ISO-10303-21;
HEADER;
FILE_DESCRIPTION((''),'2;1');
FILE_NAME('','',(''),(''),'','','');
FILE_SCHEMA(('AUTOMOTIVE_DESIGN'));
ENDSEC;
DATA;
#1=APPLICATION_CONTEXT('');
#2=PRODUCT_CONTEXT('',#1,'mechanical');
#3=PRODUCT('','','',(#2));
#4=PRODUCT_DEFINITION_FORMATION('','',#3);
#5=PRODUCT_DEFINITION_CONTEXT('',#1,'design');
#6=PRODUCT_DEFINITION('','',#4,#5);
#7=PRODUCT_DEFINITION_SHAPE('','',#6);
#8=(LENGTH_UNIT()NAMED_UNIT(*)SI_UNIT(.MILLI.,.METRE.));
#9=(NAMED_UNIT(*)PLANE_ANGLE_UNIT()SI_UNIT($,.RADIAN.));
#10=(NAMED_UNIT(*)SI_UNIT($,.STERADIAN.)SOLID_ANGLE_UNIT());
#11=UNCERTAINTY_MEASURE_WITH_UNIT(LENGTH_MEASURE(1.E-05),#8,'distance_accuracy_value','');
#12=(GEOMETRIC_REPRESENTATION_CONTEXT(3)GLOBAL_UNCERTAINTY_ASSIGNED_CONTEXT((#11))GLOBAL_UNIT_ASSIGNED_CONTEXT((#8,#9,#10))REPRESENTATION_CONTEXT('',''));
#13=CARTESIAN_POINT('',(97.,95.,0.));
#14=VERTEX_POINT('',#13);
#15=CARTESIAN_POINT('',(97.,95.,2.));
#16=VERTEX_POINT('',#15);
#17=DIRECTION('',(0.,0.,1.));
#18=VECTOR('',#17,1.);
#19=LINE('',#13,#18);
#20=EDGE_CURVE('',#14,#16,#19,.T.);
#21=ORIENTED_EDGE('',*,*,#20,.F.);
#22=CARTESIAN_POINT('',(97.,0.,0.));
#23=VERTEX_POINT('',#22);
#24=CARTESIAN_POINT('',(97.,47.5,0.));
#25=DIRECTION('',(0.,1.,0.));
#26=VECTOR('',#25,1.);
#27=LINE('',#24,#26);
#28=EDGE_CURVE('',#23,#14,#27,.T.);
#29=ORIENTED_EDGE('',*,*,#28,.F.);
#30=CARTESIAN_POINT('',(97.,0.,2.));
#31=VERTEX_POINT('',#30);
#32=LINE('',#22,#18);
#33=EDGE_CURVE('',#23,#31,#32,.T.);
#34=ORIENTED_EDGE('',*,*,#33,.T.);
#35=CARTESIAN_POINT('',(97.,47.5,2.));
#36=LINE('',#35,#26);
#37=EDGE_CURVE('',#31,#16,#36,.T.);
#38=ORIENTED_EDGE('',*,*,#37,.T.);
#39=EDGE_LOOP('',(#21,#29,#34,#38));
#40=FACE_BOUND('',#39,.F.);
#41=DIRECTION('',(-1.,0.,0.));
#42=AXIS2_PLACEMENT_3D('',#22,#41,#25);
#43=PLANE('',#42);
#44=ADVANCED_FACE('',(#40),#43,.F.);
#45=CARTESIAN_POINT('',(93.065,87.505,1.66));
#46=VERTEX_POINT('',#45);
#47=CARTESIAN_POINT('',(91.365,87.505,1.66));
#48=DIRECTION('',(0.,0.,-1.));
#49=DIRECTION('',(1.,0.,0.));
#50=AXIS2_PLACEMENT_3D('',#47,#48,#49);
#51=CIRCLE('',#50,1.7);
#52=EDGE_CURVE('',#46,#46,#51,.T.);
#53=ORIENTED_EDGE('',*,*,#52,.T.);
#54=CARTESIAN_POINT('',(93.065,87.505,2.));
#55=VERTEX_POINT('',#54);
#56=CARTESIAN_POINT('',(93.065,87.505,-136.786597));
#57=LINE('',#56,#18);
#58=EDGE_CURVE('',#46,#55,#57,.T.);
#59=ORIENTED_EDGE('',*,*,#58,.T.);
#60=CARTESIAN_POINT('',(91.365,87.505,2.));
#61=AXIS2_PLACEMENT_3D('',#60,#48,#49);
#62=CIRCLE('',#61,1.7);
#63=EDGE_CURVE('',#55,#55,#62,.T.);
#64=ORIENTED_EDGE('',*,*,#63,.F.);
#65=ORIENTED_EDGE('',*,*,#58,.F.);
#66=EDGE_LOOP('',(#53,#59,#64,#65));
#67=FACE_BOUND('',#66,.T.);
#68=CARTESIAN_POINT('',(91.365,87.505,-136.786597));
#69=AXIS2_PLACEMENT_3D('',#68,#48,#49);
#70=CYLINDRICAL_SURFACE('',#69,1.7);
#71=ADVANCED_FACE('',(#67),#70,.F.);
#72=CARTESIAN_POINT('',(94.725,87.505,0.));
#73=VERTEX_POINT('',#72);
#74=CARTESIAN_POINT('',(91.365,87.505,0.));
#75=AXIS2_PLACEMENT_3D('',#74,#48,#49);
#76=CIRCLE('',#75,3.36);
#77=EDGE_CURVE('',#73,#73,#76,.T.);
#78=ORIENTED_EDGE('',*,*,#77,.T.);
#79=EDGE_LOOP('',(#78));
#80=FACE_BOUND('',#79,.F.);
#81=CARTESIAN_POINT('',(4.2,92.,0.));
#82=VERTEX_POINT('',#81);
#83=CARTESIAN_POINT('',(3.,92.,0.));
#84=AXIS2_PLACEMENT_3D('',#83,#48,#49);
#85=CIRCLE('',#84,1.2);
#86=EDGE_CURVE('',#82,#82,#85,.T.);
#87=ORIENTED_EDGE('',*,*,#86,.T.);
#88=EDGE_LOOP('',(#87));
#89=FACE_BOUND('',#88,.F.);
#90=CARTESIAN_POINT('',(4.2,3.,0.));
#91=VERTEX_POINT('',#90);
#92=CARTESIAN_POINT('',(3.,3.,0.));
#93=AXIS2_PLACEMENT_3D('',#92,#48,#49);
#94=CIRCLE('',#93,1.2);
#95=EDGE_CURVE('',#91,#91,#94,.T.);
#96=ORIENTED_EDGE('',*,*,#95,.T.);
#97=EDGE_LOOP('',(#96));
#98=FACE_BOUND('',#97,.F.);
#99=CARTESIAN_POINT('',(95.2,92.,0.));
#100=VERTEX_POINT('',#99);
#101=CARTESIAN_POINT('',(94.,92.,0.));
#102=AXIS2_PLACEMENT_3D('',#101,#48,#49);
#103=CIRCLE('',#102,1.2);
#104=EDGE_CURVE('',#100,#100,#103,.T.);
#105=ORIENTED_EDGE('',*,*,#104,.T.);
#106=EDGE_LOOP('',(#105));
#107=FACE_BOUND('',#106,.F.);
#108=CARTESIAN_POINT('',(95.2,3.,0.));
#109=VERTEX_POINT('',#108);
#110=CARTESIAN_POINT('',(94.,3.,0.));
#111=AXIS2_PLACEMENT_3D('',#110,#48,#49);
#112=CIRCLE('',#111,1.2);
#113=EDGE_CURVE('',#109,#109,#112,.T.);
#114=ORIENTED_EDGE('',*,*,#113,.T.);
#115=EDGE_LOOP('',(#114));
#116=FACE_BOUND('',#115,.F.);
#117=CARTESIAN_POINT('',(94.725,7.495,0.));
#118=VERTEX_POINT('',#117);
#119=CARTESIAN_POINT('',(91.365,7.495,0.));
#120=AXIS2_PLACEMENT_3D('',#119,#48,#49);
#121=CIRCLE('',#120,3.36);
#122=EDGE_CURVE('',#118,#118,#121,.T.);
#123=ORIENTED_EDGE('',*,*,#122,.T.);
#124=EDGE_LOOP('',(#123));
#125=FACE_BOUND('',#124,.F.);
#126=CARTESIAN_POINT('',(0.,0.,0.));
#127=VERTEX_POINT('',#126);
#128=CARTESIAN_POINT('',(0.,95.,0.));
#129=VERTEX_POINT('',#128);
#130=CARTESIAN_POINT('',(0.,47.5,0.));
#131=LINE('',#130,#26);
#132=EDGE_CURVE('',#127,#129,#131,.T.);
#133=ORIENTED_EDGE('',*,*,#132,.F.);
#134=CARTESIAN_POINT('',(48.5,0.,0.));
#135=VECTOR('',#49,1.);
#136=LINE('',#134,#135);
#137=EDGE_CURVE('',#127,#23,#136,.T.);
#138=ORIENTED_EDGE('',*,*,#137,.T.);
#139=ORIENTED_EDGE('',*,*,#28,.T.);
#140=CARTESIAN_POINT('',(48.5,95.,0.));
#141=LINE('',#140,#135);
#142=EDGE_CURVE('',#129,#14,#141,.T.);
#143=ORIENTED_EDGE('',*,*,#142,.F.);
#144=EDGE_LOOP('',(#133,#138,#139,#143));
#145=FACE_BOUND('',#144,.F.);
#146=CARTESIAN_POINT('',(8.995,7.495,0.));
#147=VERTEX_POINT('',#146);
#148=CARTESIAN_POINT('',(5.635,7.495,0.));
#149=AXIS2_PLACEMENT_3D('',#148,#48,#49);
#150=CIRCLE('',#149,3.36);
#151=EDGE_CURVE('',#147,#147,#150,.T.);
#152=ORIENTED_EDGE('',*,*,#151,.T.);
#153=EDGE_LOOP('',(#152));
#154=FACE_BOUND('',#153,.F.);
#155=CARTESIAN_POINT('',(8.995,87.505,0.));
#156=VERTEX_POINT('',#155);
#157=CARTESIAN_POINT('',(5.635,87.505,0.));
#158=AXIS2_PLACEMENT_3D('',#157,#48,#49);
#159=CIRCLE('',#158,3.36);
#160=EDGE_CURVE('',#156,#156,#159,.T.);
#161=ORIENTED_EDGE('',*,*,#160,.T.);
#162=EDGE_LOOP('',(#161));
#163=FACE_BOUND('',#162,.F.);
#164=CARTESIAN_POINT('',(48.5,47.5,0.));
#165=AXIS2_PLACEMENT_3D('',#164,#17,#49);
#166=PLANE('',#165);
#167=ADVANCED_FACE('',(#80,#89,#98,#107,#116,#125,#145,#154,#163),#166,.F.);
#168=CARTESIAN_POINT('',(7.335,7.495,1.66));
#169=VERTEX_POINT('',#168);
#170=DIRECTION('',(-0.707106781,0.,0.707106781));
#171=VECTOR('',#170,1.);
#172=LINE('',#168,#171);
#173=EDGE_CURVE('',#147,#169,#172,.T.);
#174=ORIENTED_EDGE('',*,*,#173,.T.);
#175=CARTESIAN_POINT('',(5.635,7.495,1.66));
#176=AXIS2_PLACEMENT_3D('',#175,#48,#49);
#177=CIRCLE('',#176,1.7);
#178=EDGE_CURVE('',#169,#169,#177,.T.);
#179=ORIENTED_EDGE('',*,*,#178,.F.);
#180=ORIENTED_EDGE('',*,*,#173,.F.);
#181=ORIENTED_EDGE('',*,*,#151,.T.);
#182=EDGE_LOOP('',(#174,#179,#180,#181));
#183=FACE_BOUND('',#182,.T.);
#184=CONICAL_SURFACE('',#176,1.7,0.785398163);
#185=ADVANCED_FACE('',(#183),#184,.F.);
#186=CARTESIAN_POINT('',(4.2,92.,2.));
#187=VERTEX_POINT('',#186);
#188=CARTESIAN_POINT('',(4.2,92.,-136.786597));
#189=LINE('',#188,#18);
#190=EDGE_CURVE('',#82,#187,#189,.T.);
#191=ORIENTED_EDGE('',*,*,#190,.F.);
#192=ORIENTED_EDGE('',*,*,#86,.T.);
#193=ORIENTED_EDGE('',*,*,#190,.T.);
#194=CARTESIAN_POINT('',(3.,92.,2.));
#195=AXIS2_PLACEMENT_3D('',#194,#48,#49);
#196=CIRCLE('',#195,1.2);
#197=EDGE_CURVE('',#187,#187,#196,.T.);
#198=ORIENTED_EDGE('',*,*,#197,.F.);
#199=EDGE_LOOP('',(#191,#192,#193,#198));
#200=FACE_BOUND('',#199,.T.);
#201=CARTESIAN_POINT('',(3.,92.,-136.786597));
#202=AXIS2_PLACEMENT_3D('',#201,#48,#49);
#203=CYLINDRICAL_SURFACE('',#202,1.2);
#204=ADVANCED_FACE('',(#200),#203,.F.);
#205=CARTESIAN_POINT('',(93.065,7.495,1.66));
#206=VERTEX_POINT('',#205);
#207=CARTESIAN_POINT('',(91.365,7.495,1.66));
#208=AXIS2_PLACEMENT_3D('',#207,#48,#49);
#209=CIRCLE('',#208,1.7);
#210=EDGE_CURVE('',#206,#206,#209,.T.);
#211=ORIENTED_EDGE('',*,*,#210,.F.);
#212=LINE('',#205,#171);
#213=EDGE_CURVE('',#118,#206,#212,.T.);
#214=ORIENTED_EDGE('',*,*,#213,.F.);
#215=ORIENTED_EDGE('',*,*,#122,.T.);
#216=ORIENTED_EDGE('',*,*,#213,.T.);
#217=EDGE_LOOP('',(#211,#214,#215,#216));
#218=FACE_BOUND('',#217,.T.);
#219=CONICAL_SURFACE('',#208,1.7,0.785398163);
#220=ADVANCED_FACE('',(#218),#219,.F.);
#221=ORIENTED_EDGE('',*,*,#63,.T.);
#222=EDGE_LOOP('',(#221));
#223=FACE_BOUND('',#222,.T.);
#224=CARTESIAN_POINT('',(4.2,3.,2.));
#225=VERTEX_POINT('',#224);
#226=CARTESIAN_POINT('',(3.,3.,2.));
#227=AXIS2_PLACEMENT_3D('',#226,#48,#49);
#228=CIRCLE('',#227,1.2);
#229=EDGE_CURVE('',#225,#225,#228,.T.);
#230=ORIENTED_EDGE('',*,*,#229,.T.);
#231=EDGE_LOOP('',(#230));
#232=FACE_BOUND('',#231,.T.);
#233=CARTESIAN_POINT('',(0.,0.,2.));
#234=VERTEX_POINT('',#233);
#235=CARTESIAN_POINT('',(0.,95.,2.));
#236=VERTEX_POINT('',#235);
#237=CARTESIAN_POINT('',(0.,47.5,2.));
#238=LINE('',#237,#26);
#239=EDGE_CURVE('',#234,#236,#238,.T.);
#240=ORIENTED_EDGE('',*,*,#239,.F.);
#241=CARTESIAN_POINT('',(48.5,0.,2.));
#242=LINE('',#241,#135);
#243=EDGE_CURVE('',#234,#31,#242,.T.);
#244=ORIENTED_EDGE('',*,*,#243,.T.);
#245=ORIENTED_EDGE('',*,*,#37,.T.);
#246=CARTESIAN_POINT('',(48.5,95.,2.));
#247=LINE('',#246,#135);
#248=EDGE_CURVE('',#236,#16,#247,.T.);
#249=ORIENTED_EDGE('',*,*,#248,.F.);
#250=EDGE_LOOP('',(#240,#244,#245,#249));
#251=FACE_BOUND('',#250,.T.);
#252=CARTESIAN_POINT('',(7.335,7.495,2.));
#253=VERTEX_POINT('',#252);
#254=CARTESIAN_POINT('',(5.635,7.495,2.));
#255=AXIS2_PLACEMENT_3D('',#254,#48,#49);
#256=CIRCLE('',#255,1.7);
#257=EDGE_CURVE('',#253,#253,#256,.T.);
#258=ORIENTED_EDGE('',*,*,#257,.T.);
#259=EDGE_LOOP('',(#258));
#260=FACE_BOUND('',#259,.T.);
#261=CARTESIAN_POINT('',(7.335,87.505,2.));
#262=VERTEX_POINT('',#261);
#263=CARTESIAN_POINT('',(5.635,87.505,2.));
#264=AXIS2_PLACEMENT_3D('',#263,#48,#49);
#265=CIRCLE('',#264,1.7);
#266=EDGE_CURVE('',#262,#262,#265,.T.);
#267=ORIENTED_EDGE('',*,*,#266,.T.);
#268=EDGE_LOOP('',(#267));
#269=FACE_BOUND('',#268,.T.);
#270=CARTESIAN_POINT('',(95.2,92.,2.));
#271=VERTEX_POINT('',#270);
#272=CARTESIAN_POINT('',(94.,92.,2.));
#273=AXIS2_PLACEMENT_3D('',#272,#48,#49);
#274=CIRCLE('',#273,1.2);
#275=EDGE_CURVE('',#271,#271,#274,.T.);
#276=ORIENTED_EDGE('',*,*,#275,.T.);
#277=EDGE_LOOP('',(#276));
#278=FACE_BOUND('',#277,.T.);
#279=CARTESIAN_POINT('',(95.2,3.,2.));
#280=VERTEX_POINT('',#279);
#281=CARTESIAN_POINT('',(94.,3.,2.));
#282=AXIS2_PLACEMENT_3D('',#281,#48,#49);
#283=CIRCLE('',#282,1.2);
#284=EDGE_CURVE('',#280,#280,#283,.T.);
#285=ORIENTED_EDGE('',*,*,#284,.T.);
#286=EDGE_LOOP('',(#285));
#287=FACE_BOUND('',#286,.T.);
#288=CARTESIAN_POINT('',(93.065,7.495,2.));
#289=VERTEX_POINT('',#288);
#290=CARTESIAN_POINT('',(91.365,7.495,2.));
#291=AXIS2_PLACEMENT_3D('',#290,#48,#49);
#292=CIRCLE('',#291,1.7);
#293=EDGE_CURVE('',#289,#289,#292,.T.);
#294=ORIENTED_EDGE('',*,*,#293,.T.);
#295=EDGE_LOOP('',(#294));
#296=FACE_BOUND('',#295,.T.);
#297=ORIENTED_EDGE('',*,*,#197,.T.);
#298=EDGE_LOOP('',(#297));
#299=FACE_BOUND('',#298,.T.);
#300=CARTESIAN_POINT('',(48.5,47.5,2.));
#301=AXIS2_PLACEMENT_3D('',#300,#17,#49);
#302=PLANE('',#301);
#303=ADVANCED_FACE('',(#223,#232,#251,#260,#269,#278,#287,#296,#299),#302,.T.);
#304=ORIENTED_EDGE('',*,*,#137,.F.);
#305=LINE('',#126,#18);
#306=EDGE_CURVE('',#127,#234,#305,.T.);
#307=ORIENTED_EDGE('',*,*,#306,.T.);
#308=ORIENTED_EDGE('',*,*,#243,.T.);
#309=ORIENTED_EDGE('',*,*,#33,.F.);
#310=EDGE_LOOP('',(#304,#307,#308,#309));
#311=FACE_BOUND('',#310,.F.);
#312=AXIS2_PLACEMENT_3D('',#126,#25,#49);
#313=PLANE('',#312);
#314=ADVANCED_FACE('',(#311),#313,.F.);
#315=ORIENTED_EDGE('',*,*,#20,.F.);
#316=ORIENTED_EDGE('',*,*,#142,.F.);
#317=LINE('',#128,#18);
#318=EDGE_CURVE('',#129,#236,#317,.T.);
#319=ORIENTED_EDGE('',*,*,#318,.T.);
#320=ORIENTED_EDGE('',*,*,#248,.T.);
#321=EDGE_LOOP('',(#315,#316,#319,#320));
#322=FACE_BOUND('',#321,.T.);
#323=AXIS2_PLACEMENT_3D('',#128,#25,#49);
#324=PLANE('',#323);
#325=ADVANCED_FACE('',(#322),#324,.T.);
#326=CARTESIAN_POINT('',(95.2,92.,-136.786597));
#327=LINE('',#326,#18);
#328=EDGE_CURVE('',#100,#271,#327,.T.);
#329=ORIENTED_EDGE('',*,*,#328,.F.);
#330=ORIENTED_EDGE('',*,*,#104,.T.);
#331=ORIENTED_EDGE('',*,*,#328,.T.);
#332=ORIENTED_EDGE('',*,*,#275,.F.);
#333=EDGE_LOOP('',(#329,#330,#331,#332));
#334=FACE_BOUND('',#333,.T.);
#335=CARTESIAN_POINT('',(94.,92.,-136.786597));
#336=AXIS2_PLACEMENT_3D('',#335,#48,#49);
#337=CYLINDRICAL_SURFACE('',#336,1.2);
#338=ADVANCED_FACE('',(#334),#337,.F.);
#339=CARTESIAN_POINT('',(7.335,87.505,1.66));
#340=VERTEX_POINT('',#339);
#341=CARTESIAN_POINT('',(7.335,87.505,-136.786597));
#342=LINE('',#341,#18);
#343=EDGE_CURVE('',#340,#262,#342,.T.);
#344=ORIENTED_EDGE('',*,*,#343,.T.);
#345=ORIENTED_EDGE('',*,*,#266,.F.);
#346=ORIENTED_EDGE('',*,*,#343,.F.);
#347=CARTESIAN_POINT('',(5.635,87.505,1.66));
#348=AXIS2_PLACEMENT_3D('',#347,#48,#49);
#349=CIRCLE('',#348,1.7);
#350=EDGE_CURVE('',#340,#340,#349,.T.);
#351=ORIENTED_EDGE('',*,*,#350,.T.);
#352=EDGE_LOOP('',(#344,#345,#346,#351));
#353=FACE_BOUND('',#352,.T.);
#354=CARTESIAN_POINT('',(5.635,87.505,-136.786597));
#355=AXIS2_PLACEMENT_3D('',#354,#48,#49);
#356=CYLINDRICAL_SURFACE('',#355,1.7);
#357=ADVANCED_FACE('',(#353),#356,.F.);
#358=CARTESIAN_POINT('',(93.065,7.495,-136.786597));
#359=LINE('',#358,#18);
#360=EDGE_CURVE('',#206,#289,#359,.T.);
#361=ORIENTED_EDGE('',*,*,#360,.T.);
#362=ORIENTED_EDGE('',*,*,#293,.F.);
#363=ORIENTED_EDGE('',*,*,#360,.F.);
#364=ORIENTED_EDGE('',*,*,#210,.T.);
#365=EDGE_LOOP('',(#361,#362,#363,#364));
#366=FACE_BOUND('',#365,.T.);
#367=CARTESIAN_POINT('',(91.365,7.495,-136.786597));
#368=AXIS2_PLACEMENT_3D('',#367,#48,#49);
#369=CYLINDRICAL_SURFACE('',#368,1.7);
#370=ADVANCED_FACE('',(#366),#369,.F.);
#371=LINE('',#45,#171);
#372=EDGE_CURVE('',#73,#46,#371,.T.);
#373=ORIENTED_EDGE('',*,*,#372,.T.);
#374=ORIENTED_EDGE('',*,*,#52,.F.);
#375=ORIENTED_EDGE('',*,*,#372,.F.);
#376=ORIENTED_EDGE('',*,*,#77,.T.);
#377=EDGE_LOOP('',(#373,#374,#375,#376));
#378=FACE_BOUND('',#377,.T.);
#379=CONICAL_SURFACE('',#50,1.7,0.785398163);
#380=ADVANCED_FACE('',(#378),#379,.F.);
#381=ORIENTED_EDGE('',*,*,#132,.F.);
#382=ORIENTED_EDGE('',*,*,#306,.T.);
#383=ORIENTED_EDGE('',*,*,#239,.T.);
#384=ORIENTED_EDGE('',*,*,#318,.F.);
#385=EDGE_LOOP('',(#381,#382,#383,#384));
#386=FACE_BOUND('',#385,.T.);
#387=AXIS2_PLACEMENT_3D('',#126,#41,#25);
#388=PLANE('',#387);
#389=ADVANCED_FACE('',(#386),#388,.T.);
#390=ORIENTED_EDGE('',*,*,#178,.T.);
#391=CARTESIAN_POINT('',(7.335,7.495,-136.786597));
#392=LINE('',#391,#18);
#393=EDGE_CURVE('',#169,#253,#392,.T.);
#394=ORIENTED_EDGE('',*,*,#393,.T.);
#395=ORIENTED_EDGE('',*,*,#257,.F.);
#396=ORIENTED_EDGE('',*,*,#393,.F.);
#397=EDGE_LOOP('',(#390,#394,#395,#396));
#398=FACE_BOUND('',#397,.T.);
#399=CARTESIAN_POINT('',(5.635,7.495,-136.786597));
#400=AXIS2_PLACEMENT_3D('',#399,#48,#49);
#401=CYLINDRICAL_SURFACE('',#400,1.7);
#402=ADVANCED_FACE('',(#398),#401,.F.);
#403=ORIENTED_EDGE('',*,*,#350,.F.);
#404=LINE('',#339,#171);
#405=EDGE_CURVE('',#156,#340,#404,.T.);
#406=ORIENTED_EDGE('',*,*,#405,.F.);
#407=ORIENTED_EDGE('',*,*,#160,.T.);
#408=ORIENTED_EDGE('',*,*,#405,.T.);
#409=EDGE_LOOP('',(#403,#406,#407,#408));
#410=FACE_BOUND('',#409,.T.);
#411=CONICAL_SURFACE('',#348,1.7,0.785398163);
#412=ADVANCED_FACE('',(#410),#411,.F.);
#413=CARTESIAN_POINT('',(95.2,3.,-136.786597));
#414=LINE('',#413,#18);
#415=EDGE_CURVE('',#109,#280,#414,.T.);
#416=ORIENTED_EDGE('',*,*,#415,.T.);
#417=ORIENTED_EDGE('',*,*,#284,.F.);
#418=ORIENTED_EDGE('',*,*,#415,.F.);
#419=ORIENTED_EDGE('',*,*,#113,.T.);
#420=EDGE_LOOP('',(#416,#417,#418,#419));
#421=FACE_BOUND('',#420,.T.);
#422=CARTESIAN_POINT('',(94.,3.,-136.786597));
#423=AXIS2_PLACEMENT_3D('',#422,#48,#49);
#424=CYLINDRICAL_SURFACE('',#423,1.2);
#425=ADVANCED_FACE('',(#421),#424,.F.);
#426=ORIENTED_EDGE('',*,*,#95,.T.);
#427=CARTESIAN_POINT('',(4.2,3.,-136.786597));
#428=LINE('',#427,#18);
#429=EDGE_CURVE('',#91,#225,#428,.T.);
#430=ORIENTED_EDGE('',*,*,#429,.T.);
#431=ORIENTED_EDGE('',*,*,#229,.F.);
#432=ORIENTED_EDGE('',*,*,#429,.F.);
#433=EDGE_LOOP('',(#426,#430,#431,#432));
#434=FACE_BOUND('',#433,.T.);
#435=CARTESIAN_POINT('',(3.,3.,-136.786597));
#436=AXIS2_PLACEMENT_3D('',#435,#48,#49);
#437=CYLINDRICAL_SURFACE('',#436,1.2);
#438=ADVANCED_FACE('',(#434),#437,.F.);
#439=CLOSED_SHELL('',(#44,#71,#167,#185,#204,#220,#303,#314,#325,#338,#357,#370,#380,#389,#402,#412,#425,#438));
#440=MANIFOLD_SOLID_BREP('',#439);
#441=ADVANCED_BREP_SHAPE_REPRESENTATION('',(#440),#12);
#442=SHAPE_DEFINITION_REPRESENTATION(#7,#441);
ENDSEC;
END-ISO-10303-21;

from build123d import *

# Parameters (mm, degrees)
PLATE_SKETCH_W                 = 97
PLATE_SKETCH_H                 = 95
PLATE_DEPTH                    = 2
M2_FOOT_SCREW_HOLES_DEPTH      = 136.786597277
M2_FOOT_SCREW_HOLES_DEPTH_BACK = 136.786597277
M2_FOOT_SCREW_HOLES_SKETCH_R   = 1.2
M3_STACK_ROD_HOLES_DEPTH       = 136.786597277
M3_STACK_ROD_HOLES_DEPTH_BACK  = 136.786597277
M3_STACK_ROD_HOLES_SKETCH_R    = 1.7
M3_COUNTERSINKS_SIZE           = 1.66


with BuildPart() as part:
    # Plate sketch → Plate (new body)
    with BuildSketch(Plane.XY):
        with Locations((48.5, 47.5)):
            Rectangle(PLATE_SKETCH_W, PLATE_SKETCH_H)
    extrude(amount=PLATE_DEPTH)

    # M2 foot screw holes sketch → M2 foot screw holes (cut, two sides: drawn at the far end of the back side and taken through both)
    with BuildSketch(Plane.XY.offset(-M2_FOOT_SCREW_HOLES_DEPTH_BACK)):
        with Locations((3, 3)):
            Circle(M2_FOOT_SCREW_HOLES_SKETCH_R)
        with Locations((94, 3)):
            Circle(M2_FOOT_SCREW_HOLES_SKETCH_R)
        with Locations((3, 92)):
            Circle(M2_FOOT_SCREW_HOLES_SKETCH_R)
        with Locations((94, 92)):
            Circle(M2_FOOT_SCREW_HOLES_SKETCH_R)
    extrude(amount=M2_FOOT_SCREW_HOLES_DEPTH + M2_FOOT_SCREW_HOLES_DEPTH_BACK, mode=Mode.SUBTRACT)

    # M3 stack rod holes sketch → M3 stack rod holes (cut, two sides: drawn at the far end of the back side and taken through both)
    with BuildSketch(Plane.XY.offset(-M3_STACK_ROD_HOLES_DEPTH_BACK)):
        with Locations((5.635, 7.495)):
            Circle(M3_STACK_ROD_HOLES_SKETCH_R)
        with Locations((91.365, 7.495)):
            Circle(M3_STACK_ROD_HOLES_SKETCH_R)
        with Locations((5.635, 87.505)):
            Circle(M3_STACK_ROD_HOLES_SKETCH_R)
        with Locations((91.365, 87.505)):
            Circle(M3_STACK_ROD_HOLES_SKETCH_R)
    extrude(amount=M3_STACK_ROD_HOLES_DEPTH + M3_STACK_ROD_HOLES_DEPTH_BACK, mode=Mode.SUBTRACT)

    # M3 countersinks
    m3_countersinks_edges = [part.edges().sort_by_distance(p)[0] for p in [
        (89.665, 7.495, 0),
        (3.935, 87.505, 0),
        (89.665, 87.505, 0),
        (3.935, 7.495, 0),
    ]]
    chamfer(m3_countersinks_edges, length=M3_COUNTERSINKS_SIZE)


solid = part.part
